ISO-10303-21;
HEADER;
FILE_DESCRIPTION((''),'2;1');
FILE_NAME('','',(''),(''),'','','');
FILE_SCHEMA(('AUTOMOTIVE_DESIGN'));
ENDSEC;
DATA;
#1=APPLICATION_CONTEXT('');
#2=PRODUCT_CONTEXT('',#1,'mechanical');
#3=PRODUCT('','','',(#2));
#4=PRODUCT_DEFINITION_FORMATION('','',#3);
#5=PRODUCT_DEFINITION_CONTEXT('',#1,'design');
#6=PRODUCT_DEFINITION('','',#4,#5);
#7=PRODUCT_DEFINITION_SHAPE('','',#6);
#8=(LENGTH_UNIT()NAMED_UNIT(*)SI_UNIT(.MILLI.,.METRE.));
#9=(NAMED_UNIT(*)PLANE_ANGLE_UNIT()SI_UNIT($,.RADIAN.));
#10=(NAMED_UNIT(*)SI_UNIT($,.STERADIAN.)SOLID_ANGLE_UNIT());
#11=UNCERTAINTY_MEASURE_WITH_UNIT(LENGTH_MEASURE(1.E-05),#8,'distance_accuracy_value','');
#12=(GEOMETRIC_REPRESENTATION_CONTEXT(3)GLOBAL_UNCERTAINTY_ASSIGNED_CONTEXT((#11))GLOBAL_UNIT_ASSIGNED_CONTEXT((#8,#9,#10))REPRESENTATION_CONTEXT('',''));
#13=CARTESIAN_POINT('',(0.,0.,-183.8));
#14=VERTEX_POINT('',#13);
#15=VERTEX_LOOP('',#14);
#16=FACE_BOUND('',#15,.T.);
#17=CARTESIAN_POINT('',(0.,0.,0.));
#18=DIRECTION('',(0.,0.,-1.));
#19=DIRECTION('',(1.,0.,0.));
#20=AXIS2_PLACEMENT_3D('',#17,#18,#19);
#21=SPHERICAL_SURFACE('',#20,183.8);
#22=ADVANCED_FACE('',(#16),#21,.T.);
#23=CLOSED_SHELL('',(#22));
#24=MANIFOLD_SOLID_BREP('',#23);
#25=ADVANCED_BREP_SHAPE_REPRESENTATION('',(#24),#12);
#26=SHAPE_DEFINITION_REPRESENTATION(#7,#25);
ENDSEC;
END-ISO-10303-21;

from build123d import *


with BuildPart() as part:
    # Sketch2 → Revolve1 (revolve)
    with BuildSketch(Plane(origin=(0, 0, 0), x_dir=(1, 0, 0), z_dir=(0, 1, 0))):
        with BuildLine():
            Line((0, 183.8), (0, -183.8))
            ThreePointArc((0, -183.8), (183.8, 0), (0, 183.8))
        make_face()
    revolve(axis=Axis((0, 0, -183.8), (0, 0, 1)))


solid = part.part
